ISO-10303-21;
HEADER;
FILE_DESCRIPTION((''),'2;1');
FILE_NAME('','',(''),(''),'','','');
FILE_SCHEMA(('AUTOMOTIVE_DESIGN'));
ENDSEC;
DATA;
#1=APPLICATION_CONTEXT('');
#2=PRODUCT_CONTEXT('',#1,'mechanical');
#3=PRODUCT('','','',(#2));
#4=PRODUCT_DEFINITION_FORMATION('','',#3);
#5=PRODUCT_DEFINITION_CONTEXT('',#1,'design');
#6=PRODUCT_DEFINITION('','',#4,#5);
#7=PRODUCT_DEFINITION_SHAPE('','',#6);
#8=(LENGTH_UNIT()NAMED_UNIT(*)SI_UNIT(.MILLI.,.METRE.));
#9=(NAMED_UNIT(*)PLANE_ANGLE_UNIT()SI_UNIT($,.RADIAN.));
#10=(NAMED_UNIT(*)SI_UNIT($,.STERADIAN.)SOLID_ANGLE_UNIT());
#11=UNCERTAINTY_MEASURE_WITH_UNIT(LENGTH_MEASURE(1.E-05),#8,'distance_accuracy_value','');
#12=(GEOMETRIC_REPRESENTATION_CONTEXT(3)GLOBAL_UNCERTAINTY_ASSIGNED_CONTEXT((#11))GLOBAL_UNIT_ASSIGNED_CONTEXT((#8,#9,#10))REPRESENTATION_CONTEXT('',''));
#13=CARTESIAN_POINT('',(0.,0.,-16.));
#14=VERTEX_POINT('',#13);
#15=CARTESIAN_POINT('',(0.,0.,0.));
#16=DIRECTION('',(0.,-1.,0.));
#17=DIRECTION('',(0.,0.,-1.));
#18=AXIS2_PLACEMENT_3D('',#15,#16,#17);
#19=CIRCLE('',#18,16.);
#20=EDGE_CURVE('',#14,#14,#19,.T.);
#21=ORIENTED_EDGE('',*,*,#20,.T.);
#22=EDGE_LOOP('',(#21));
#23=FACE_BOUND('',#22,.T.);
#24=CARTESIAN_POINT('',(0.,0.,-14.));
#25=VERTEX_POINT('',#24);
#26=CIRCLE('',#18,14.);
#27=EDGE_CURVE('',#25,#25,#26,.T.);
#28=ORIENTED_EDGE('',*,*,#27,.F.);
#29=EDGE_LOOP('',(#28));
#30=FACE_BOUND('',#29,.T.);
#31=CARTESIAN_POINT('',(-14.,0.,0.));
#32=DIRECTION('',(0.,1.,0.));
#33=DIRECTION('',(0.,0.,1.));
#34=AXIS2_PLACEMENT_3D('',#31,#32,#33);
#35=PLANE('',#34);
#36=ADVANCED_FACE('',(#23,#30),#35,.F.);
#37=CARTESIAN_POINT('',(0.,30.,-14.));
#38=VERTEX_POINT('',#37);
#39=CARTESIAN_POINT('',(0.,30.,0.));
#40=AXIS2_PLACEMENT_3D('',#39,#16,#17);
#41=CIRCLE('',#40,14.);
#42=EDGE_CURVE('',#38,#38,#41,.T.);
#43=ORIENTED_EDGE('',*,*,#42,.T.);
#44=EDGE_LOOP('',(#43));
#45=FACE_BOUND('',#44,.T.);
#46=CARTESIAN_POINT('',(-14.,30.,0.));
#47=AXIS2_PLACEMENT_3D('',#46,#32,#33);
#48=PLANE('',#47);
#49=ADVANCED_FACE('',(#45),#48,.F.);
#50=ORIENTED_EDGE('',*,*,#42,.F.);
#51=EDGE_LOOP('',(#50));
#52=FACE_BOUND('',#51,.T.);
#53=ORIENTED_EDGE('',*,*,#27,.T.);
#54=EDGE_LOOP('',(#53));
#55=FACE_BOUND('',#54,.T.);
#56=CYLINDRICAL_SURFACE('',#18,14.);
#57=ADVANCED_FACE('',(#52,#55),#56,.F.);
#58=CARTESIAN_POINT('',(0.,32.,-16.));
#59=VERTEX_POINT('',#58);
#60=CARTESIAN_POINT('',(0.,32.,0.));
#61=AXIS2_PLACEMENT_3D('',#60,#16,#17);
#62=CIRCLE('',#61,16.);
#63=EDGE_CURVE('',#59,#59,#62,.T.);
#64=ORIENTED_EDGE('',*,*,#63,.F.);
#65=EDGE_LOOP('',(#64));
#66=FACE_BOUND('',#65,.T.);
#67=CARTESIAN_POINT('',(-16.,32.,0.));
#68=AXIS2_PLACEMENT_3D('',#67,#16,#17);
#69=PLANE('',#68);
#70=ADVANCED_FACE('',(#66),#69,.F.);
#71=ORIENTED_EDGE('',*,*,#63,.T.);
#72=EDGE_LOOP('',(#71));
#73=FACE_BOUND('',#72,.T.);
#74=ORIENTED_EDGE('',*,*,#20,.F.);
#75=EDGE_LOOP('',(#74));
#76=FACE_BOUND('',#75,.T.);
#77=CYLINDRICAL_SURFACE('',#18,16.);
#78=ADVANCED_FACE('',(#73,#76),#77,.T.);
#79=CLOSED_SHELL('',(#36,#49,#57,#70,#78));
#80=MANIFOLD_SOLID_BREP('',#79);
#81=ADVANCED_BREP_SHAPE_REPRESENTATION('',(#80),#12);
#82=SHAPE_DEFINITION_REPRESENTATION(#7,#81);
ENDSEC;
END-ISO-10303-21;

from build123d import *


with BuildPart() as part:
    # Schizzo1 → Rivoluzione1 (revolve)
    with BuildSketch(Plane.XY, mode=Mode.PRIVATE) as rivoluzione1_sk:
        Polygon((-14, 30), (0, 30), (0, 32), (-16, 32), (-16, 0), (-14, 0), align=None)
    revolve(rivoluzione1_sk.sketch.rotate(Axis((0, 0, 0), (0, 1, 0)), 270), axis=Axis((0, 0, 0), (0, 1, 0)))


solid = part.part
